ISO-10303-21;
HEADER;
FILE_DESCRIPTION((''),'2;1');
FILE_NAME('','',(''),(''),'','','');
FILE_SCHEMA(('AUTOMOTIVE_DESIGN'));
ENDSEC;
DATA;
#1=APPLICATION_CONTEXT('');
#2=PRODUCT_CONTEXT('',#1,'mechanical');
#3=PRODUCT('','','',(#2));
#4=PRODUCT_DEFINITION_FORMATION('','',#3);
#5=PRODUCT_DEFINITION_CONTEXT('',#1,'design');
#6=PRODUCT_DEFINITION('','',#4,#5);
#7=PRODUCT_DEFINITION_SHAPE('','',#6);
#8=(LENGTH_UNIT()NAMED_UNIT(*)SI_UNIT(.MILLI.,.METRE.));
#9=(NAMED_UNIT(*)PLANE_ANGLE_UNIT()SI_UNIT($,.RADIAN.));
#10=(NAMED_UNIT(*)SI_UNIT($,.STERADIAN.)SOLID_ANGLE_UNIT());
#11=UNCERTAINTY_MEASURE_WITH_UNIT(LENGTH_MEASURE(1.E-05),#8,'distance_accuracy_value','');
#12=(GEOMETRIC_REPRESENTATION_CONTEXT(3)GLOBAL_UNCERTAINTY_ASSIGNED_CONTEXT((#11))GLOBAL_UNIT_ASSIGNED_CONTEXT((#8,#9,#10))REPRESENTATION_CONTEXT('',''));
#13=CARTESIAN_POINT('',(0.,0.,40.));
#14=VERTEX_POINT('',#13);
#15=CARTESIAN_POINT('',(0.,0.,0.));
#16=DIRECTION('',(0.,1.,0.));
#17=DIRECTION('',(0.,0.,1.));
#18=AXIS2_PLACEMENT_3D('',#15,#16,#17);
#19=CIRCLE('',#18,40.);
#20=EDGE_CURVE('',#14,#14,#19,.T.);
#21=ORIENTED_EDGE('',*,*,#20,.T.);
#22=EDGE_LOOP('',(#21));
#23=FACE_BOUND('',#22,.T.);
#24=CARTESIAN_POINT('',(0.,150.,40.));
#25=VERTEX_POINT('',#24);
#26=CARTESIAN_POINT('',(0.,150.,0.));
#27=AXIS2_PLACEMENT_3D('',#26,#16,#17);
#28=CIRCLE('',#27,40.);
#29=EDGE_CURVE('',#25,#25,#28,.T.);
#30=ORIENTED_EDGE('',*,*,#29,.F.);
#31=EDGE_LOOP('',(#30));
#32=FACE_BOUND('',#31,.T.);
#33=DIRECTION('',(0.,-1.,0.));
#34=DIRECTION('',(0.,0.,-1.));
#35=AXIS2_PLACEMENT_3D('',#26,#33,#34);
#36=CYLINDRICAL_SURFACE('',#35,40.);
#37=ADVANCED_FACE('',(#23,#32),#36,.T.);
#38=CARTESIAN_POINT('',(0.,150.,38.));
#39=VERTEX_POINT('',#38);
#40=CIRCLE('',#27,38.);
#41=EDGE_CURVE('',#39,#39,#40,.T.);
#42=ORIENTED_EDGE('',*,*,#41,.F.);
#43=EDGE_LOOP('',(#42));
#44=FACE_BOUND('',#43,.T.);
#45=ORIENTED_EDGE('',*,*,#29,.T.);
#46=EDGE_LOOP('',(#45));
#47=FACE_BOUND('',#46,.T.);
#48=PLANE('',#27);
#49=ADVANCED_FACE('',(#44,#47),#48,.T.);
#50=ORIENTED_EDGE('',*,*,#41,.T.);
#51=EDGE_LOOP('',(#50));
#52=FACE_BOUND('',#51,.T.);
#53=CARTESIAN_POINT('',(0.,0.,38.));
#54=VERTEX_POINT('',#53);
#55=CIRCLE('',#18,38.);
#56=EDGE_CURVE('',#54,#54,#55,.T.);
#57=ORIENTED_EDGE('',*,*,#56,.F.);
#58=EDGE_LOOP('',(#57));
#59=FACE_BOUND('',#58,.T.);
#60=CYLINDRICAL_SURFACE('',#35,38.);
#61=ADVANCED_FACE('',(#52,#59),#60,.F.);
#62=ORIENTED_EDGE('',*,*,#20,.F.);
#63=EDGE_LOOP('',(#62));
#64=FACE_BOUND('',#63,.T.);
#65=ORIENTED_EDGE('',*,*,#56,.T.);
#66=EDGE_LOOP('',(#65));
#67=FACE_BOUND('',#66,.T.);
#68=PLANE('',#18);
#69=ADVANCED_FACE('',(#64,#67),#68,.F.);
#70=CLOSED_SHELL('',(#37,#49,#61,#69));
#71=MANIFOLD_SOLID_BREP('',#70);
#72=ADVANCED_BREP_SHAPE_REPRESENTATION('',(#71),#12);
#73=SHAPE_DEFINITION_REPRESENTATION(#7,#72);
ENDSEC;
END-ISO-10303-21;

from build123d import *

# Parameters (mm, degrees)
SKETCH_1_R      = 40
SKETCH_1_R_2    = 38
EXTRUDE_1_DEPTH = 150


with BuildPart() as part:
    # 草图1 → 凸台-拉伸1 (new body)
    with BuildSketch(Plane(origin=(0, 0, 0), x_dir=(1, 0, 0), z_dir=(0, 1, 0))):
        Circle(SKETCH_1_R)
        Circle(SKETCH_1_R_2, mode=Mode.SUBTRACT)
    extrude(amount=EXTRUDE_1_DEPTH)


solid = part.part
